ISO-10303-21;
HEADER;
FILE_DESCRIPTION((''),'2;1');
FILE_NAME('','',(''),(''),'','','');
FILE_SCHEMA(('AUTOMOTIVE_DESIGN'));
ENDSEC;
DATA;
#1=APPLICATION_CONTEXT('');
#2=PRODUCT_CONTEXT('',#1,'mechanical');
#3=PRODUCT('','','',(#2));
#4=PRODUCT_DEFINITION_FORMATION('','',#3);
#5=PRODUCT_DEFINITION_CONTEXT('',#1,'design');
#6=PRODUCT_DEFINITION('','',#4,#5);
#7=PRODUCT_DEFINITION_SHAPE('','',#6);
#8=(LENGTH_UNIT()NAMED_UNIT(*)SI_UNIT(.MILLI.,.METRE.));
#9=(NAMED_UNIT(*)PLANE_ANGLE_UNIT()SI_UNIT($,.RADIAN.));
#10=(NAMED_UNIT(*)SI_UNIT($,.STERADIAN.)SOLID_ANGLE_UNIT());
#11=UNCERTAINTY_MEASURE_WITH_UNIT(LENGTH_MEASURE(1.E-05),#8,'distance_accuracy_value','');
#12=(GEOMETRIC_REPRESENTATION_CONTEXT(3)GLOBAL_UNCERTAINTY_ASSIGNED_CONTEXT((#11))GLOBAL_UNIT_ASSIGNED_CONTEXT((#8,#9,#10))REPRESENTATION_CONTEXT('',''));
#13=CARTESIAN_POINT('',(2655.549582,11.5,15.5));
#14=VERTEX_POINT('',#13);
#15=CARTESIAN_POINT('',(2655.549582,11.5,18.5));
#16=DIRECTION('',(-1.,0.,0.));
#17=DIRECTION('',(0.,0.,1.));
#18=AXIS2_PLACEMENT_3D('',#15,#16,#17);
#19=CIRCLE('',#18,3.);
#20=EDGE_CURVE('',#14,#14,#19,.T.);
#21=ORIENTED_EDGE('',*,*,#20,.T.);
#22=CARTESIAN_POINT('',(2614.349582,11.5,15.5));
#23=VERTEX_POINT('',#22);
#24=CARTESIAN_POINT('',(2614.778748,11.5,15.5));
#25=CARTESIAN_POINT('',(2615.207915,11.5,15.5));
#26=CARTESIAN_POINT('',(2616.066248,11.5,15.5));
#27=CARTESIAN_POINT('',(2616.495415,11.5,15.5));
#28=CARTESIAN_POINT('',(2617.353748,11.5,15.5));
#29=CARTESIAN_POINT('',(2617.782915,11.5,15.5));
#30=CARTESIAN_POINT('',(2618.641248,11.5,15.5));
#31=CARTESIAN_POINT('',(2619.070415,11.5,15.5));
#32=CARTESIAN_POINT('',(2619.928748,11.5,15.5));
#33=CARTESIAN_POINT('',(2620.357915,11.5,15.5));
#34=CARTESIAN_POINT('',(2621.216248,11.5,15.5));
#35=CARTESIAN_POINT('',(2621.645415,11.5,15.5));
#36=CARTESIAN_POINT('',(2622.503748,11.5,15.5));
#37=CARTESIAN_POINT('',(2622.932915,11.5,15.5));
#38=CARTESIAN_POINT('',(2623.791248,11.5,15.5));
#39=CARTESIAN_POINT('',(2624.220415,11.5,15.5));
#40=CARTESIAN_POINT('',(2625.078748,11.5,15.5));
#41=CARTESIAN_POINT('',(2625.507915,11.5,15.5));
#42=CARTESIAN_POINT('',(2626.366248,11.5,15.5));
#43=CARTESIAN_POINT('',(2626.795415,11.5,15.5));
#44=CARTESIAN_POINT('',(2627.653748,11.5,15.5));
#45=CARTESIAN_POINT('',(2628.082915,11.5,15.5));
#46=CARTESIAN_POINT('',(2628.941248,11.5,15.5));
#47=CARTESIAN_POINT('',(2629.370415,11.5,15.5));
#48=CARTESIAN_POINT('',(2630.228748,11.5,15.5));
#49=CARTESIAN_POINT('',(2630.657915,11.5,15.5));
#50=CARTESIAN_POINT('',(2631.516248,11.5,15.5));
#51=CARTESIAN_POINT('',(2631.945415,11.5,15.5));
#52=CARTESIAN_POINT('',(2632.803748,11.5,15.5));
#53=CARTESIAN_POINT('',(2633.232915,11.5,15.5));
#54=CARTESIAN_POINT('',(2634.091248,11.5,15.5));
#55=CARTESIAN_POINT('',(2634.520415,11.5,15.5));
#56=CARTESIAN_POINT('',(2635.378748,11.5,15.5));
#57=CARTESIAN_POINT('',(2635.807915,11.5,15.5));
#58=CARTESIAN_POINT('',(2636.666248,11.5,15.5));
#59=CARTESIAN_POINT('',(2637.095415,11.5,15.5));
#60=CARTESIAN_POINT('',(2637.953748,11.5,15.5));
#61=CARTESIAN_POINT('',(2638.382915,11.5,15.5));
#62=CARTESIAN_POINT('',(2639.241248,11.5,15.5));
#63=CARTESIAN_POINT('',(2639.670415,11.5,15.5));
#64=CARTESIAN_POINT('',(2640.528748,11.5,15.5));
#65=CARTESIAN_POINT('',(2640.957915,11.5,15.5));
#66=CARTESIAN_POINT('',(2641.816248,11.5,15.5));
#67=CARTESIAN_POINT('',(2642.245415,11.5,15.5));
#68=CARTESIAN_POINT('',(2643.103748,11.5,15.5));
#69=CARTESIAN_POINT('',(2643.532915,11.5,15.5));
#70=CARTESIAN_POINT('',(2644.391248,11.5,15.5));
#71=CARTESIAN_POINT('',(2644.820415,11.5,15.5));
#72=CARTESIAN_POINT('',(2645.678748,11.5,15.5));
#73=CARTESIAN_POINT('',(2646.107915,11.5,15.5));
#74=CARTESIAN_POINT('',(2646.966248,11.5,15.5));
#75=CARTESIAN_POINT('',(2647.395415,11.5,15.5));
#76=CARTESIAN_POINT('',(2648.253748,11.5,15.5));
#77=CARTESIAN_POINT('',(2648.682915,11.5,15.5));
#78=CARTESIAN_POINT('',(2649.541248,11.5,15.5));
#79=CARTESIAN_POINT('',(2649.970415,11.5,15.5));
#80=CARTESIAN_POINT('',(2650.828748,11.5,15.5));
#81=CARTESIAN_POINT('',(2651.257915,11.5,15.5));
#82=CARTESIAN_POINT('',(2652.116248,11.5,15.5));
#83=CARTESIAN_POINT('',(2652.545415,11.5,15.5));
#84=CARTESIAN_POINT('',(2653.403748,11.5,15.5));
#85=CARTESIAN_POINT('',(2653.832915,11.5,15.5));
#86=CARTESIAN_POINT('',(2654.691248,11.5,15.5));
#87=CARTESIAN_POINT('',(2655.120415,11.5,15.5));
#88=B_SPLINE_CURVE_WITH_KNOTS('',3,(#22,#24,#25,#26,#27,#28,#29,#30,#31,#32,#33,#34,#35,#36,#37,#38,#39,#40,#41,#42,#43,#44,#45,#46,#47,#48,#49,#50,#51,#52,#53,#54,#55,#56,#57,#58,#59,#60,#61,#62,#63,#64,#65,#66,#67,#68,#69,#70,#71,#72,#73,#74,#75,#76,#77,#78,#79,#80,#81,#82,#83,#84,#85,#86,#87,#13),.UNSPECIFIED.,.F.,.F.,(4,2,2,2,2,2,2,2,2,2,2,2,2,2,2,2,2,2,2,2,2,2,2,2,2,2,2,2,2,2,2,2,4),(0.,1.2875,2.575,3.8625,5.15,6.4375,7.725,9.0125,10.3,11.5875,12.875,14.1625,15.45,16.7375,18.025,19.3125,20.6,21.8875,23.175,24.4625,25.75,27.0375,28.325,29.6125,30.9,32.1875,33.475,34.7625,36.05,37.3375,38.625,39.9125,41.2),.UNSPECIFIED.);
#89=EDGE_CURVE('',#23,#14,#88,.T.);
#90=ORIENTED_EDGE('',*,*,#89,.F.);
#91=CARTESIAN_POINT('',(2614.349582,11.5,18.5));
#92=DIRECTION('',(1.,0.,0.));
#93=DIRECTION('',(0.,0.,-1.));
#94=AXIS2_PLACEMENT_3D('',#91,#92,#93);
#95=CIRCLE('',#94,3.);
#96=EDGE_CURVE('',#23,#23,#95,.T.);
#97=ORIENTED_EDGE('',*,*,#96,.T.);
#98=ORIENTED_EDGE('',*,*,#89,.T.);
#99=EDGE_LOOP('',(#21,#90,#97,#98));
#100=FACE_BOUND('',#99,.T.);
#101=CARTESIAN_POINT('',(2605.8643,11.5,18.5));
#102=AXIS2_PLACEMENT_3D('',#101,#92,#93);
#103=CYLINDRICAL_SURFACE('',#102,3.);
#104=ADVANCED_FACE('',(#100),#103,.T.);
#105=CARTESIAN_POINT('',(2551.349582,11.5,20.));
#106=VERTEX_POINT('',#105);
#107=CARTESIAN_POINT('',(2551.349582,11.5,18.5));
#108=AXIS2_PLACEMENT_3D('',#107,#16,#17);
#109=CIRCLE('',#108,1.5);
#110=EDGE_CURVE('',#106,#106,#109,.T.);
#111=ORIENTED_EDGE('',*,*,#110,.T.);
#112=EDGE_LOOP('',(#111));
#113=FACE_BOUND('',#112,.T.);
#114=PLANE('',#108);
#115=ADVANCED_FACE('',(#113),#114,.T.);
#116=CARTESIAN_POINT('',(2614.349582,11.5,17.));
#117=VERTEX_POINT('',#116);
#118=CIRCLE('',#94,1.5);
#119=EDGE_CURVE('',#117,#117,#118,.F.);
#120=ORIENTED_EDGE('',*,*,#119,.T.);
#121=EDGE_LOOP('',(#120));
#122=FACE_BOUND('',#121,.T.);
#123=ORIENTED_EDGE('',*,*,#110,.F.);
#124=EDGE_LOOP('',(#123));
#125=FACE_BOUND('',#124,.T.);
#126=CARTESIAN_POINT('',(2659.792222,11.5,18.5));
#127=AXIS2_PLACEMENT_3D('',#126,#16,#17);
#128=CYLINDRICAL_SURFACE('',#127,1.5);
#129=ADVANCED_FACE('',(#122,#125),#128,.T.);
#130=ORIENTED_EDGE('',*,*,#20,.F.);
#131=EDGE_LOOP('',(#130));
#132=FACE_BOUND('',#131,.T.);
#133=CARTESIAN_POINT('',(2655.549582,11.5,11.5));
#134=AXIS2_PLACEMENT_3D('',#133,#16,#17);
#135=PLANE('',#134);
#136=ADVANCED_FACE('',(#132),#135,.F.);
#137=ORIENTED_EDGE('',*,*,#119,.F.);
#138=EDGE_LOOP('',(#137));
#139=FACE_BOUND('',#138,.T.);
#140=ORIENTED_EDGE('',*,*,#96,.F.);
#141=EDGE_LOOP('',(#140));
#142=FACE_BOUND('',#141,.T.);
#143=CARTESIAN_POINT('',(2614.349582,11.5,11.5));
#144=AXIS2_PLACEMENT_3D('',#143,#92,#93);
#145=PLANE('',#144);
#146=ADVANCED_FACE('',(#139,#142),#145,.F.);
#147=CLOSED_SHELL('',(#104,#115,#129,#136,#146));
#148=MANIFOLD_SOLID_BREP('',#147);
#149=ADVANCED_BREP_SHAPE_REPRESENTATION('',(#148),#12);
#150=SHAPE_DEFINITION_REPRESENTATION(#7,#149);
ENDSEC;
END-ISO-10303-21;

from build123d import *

# Parameters (mm, degrees)
SKETCH3_R           = 1.5
BASE_EXTRUDE_DEPTH  = 104.2
SKETCH4_R           = 3
BOSS_EXTRUDE1_DEPTH = 41.2


with BuildPart() as part:
    # Sketch3 → Base-Extrude (new body)
    with BuildSketch(Plane.ZY.offset(-2551.349581797)):
        with Locations((18.5, 11.5)):
            Circle(SKETCH3_R)
    extrude(amount=-BASE_EXTRUDE_DEPTH)

    # Sketch4 → Boss-Extrude1 (add)
    with BuildSketch(Plane.ZY.offset(-2655.549581797)):
        with Locations(Location((18.5, 11.5, 0), (0, 0, 180))):
            Circle(SKETCH4_R)
    extrude(amount=BOSS_EXTRUDE1_DEPTH)


solid = part.part
